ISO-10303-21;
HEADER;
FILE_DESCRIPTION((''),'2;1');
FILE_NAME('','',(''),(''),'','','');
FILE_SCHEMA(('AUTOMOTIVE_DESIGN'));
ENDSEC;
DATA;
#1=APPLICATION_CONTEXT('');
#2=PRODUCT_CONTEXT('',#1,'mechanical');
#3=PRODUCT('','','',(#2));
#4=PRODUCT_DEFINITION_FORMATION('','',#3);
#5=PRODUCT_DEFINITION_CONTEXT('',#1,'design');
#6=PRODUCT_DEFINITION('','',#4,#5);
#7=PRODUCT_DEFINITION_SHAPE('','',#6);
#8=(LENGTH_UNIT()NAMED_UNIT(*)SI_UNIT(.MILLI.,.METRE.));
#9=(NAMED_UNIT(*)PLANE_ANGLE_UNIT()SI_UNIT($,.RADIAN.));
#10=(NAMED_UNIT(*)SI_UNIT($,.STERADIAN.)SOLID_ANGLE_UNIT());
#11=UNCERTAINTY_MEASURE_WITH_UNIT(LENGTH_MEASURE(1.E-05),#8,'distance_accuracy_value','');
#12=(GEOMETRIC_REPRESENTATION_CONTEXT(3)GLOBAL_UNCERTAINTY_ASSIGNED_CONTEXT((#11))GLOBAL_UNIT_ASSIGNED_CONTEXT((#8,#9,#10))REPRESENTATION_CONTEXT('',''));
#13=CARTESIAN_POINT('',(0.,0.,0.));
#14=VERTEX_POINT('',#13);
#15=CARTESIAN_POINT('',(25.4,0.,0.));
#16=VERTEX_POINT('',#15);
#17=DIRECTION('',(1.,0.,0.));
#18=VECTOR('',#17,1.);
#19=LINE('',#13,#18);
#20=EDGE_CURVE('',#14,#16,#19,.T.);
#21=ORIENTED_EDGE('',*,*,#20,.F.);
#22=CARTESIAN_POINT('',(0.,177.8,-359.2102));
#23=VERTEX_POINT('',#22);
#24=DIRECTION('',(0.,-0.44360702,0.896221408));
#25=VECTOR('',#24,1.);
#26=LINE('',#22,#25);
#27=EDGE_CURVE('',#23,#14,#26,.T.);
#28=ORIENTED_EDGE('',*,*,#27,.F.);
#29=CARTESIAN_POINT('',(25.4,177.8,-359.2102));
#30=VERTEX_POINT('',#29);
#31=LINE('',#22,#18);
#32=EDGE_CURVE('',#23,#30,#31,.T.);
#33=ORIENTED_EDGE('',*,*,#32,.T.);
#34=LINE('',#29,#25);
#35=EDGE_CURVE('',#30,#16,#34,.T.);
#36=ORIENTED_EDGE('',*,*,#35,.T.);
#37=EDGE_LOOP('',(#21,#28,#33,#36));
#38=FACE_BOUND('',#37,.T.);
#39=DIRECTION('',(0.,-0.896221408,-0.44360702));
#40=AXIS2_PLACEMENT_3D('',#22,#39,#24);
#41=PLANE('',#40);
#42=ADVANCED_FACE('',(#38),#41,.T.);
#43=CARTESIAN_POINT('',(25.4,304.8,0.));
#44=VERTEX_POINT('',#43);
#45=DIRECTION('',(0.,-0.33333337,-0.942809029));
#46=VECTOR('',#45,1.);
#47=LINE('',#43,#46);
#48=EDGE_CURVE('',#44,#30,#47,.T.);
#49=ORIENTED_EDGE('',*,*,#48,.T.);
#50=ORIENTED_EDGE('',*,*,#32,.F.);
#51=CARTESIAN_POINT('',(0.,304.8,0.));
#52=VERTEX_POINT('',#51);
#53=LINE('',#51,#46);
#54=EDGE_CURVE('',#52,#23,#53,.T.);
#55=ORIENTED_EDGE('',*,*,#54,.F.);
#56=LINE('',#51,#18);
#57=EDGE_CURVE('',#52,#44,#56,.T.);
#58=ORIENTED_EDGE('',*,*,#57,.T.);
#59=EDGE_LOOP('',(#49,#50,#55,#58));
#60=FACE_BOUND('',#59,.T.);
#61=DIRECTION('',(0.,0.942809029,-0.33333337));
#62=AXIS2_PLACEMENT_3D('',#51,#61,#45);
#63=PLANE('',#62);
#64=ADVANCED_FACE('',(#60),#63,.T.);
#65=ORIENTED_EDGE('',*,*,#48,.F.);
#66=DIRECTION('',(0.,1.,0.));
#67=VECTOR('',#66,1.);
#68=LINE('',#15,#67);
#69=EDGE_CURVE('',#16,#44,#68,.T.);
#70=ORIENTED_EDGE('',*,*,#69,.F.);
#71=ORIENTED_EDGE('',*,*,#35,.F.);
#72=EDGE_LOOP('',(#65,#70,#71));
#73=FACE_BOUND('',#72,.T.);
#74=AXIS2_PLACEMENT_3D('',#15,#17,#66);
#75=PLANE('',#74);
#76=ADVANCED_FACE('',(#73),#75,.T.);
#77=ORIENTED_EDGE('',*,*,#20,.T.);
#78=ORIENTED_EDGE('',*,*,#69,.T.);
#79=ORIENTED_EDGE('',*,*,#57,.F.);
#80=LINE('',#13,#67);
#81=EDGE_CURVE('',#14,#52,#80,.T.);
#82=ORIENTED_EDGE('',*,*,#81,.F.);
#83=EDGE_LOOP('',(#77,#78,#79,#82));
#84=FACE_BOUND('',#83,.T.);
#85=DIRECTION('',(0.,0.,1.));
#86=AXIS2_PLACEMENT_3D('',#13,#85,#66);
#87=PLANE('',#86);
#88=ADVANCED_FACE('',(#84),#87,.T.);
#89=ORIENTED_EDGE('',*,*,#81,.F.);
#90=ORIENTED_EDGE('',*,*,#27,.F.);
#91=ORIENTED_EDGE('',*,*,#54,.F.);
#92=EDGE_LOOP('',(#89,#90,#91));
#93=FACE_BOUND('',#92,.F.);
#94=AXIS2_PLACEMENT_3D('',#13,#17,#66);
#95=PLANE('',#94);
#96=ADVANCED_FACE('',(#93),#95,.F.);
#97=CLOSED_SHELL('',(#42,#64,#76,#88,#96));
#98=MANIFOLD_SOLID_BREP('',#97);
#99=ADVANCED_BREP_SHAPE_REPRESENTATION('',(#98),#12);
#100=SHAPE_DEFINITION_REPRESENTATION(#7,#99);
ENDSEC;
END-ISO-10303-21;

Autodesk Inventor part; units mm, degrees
ref_plane "YZ Plane" through (0, 0, 0) normal (1, 0, 0) x (0, 1, 0)
ref_plane "XZ Plane" through (0, 0, 0) normal (0, 1, 0) x (-1, 0, 0)
ref_plane "XY Plane" through (0, 0, 0) normal (0, 0, 1) x (1, 0, 0)
sketch "Sketch2" plane through (0, 0, 0) normal (1, 0, 0) x (0, 1, 0)
  line L0 (0, 0) -> (304.8, 0)
  line L1 (304.8, 0) -> (177.8, -359.2102)
  line L2 (177.8, -359.2102) -> (0, 0)
  dimension "d1" = 304.8
  dimension "d2" = 381
extrude "Extrusion1" add sketch "Sketch2" along normal blind 25.4
properties part number "HPSFlagYellow-ver1-1111-2021"
